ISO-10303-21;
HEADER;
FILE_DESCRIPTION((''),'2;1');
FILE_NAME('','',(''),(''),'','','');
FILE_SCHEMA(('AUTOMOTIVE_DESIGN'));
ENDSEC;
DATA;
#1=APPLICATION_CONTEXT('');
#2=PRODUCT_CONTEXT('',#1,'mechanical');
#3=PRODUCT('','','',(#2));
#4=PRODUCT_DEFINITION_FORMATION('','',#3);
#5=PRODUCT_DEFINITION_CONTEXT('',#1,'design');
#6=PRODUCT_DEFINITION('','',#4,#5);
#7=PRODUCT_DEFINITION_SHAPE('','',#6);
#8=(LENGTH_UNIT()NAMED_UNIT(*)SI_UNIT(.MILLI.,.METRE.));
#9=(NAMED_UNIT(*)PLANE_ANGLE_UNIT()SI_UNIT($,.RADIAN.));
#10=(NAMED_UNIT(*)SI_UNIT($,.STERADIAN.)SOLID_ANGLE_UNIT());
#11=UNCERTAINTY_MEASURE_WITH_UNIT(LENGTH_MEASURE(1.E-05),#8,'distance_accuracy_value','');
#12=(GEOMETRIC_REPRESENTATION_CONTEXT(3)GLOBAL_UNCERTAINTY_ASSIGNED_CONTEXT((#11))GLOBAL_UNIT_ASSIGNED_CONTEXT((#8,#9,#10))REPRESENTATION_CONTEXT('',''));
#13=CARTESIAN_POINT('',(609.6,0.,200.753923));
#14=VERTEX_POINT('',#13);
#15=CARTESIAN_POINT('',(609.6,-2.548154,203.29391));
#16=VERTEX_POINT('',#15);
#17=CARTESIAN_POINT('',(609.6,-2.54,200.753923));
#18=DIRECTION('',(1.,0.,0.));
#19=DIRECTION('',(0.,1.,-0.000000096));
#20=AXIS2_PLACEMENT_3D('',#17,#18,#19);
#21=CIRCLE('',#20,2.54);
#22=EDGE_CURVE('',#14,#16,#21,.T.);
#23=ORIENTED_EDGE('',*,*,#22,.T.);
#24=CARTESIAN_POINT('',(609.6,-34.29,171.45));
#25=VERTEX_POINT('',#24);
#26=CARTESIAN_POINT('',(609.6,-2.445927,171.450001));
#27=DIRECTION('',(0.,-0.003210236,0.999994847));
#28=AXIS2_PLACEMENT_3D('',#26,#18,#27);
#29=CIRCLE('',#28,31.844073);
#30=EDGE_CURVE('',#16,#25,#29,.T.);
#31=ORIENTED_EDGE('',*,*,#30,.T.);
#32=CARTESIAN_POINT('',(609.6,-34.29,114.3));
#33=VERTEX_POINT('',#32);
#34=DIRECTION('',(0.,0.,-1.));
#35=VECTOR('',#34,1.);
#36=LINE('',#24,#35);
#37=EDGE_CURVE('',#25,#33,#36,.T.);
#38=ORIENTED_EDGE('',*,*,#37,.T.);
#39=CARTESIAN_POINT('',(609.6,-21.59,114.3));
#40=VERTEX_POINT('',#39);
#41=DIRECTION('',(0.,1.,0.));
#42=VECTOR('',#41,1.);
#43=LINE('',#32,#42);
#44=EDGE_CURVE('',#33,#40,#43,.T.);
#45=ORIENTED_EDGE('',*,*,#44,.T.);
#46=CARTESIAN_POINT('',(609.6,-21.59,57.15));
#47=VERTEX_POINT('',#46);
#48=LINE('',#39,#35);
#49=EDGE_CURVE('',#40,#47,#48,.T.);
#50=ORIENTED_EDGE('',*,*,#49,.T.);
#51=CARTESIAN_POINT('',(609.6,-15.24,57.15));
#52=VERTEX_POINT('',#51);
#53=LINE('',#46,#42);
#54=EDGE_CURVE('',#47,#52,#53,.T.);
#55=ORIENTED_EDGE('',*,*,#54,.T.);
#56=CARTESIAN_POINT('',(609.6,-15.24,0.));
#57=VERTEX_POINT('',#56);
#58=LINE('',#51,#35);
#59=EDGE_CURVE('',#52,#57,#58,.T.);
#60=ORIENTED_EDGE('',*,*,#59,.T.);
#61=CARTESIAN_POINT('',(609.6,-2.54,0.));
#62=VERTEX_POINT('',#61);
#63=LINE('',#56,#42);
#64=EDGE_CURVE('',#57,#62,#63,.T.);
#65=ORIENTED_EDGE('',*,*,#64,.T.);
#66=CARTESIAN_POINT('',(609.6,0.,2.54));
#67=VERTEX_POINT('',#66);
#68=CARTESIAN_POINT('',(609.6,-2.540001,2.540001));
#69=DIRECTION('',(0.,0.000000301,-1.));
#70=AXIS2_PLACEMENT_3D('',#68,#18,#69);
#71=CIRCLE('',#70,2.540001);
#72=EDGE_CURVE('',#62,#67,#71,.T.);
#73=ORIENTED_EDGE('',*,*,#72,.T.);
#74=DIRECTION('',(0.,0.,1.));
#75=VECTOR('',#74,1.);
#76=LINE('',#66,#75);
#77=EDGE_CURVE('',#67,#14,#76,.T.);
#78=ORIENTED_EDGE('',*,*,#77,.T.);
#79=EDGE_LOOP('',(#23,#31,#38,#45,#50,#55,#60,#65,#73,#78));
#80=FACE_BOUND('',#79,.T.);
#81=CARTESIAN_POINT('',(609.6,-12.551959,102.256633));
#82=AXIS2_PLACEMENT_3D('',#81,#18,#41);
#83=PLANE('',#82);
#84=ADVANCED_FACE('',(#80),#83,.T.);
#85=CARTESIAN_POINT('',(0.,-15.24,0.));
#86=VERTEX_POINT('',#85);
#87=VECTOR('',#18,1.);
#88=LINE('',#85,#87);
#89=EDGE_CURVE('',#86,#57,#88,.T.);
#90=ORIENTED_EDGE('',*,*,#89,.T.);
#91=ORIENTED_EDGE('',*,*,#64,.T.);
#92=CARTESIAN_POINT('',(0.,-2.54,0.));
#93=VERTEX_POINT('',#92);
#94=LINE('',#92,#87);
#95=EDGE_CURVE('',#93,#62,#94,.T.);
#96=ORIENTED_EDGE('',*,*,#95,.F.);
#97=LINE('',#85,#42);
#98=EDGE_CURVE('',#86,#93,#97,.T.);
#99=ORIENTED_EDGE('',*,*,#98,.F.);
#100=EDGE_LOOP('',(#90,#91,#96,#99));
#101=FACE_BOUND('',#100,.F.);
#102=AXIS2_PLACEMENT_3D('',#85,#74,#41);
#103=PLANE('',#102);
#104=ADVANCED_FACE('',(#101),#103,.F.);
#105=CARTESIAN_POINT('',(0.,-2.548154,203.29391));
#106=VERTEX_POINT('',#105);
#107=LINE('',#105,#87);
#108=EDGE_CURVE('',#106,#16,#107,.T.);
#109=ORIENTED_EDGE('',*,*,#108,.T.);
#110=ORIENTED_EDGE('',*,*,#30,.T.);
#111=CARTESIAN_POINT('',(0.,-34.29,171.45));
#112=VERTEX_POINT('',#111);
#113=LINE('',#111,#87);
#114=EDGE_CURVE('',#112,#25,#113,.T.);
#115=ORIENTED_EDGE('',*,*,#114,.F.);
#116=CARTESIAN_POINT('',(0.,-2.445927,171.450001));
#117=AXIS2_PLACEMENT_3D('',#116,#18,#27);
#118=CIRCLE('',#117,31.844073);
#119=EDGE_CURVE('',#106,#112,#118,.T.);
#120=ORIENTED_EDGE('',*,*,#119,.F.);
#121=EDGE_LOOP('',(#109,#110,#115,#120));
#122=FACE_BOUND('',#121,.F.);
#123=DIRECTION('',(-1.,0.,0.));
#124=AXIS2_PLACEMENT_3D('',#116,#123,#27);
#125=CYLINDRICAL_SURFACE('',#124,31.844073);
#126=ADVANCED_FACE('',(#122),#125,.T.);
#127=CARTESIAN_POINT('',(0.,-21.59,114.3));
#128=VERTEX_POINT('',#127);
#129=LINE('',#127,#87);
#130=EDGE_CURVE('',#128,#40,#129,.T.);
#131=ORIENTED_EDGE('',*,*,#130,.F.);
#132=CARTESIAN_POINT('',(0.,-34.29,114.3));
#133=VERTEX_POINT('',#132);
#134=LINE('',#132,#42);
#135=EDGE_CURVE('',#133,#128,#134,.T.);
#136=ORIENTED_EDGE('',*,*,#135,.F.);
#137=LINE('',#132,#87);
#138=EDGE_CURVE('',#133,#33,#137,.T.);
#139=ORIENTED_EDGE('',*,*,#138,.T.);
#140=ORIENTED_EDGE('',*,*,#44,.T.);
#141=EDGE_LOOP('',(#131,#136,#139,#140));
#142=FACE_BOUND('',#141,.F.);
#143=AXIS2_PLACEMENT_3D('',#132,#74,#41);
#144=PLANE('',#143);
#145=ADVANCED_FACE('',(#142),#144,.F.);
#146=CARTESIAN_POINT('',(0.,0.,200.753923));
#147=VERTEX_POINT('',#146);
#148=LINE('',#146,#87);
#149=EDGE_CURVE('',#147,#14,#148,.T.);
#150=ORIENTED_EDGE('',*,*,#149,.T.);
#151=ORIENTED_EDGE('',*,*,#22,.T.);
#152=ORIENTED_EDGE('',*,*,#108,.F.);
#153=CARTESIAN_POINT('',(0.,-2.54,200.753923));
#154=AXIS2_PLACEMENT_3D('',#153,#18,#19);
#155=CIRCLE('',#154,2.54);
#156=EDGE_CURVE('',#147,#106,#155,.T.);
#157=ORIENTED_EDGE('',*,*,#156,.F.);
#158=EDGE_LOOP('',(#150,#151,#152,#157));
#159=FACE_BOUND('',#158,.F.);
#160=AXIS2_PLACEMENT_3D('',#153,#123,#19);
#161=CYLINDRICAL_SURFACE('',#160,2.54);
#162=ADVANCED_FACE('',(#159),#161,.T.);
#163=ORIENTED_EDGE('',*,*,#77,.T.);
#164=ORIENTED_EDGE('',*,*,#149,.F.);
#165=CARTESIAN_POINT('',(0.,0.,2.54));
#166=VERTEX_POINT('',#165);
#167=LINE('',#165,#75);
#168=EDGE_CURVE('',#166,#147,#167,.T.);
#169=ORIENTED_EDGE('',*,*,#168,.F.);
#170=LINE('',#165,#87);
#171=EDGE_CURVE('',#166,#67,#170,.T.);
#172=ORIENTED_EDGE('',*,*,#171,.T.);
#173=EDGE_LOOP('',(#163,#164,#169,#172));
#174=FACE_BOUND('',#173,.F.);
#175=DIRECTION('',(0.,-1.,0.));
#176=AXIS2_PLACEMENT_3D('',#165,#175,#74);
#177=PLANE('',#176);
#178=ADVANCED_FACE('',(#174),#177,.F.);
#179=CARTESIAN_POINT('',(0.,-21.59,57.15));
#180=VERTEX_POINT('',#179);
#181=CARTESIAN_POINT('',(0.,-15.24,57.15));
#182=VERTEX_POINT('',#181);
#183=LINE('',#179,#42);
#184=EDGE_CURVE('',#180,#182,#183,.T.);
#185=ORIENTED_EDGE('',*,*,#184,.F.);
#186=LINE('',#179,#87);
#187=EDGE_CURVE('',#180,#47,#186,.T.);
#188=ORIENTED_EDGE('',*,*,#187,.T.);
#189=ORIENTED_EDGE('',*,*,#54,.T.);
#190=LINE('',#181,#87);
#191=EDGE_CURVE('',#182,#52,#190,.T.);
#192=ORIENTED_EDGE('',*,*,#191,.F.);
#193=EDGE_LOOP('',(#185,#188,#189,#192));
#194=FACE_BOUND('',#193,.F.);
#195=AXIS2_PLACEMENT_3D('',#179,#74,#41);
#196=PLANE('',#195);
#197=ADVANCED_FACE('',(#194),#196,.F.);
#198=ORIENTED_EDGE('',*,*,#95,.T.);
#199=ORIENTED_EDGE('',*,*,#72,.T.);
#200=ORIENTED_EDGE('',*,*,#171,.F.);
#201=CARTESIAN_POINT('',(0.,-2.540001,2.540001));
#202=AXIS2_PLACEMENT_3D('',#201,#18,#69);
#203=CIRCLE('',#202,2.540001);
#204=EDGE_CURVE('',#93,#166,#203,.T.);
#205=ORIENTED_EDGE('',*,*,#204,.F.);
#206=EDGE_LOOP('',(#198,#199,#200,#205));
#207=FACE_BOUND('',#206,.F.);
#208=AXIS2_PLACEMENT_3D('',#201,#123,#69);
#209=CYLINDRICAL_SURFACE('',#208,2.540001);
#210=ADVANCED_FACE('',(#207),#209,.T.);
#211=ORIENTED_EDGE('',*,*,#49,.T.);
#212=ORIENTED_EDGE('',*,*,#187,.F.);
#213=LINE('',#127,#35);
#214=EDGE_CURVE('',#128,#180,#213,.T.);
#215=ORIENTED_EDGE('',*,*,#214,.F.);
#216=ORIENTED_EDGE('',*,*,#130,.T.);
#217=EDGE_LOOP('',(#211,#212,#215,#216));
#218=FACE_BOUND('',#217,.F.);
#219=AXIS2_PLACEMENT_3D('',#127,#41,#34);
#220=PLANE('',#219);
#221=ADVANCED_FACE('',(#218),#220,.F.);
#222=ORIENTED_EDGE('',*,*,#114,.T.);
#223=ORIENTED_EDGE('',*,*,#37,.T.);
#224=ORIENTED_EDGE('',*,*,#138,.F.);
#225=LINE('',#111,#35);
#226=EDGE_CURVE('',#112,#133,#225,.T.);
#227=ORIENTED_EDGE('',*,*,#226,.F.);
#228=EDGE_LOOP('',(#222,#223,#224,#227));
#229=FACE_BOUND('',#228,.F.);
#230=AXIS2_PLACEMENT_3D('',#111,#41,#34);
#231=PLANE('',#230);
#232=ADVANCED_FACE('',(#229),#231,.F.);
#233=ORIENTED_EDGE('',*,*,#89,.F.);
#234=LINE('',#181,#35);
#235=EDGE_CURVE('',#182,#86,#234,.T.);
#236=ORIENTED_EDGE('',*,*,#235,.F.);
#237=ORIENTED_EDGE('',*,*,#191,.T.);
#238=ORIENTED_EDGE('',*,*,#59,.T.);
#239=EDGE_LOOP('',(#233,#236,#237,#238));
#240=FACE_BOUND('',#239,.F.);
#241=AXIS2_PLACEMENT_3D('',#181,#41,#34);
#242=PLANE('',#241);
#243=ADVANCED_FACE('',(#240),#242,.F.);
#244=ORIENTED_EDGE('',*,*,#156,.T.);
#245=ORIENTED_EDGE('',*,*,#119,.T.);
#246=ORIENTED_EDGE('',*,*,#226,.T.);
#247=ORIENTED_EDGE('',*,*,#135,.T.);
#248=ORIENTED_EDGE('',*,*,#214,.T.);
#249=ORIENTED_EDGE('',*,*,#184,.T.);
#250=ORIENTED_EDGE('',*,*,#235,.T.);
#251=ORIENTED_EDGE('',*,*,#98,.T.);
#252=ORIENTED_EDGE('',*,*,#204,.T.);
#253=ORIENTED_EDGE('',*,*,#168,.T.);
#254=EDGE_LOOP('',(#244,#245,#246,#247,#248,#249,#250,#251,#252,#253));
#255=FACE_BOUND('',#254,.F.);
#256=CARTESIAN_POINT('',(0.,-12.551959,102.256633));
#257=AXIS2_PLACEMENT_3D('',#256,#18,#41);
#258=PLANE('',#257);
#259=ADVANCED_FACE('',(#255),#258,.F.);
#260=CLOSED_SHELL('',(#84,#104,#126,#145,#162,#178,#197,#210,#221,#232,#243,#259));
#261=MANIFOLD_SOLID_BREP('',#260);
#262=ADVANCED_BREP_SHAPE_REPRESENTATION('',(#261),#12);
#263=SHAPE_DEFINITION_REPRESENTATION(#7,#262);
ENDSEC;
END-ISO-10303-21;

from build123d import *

# Parameters (mm, degrees)
F1_DEPTH = 609.6


with BuildPart() as f1:
    # F0 (on Right) → F1 (new body)
    with BuildSketch(Plane.YZ):
        with BuildLine():
            Line((-15.24, 0), (-2.54, 0))
            ThreePointArc((-2.54, 0), (-0.743949, 0.743949), (0, 2.54))
            Line((0, 2.54), (0, 200.753923))
            ThreePointArc((0, 200.753923), (-0.746834, 202.552855), (-2.548154, 203.29391))
            ThreePointArc((-2.548154, 203.29391), (-24.999201, 193.930989), (-34.29, 171.45))
            Line((-34.29, 171.45), (-34.29, 114.3))
            Line((-34.29, 114.3), (-21.59, 114.3))
            Line((-21.59, 114.3), (-21.59, 57.15))
            Line((-21.59, 57.15), (-15.24, 57.15))
            Line((-15.24, 57.15), (-15.24, 0))
        make_face()
    extrude(amount=F1_DEPTH)


solid = f1.part
